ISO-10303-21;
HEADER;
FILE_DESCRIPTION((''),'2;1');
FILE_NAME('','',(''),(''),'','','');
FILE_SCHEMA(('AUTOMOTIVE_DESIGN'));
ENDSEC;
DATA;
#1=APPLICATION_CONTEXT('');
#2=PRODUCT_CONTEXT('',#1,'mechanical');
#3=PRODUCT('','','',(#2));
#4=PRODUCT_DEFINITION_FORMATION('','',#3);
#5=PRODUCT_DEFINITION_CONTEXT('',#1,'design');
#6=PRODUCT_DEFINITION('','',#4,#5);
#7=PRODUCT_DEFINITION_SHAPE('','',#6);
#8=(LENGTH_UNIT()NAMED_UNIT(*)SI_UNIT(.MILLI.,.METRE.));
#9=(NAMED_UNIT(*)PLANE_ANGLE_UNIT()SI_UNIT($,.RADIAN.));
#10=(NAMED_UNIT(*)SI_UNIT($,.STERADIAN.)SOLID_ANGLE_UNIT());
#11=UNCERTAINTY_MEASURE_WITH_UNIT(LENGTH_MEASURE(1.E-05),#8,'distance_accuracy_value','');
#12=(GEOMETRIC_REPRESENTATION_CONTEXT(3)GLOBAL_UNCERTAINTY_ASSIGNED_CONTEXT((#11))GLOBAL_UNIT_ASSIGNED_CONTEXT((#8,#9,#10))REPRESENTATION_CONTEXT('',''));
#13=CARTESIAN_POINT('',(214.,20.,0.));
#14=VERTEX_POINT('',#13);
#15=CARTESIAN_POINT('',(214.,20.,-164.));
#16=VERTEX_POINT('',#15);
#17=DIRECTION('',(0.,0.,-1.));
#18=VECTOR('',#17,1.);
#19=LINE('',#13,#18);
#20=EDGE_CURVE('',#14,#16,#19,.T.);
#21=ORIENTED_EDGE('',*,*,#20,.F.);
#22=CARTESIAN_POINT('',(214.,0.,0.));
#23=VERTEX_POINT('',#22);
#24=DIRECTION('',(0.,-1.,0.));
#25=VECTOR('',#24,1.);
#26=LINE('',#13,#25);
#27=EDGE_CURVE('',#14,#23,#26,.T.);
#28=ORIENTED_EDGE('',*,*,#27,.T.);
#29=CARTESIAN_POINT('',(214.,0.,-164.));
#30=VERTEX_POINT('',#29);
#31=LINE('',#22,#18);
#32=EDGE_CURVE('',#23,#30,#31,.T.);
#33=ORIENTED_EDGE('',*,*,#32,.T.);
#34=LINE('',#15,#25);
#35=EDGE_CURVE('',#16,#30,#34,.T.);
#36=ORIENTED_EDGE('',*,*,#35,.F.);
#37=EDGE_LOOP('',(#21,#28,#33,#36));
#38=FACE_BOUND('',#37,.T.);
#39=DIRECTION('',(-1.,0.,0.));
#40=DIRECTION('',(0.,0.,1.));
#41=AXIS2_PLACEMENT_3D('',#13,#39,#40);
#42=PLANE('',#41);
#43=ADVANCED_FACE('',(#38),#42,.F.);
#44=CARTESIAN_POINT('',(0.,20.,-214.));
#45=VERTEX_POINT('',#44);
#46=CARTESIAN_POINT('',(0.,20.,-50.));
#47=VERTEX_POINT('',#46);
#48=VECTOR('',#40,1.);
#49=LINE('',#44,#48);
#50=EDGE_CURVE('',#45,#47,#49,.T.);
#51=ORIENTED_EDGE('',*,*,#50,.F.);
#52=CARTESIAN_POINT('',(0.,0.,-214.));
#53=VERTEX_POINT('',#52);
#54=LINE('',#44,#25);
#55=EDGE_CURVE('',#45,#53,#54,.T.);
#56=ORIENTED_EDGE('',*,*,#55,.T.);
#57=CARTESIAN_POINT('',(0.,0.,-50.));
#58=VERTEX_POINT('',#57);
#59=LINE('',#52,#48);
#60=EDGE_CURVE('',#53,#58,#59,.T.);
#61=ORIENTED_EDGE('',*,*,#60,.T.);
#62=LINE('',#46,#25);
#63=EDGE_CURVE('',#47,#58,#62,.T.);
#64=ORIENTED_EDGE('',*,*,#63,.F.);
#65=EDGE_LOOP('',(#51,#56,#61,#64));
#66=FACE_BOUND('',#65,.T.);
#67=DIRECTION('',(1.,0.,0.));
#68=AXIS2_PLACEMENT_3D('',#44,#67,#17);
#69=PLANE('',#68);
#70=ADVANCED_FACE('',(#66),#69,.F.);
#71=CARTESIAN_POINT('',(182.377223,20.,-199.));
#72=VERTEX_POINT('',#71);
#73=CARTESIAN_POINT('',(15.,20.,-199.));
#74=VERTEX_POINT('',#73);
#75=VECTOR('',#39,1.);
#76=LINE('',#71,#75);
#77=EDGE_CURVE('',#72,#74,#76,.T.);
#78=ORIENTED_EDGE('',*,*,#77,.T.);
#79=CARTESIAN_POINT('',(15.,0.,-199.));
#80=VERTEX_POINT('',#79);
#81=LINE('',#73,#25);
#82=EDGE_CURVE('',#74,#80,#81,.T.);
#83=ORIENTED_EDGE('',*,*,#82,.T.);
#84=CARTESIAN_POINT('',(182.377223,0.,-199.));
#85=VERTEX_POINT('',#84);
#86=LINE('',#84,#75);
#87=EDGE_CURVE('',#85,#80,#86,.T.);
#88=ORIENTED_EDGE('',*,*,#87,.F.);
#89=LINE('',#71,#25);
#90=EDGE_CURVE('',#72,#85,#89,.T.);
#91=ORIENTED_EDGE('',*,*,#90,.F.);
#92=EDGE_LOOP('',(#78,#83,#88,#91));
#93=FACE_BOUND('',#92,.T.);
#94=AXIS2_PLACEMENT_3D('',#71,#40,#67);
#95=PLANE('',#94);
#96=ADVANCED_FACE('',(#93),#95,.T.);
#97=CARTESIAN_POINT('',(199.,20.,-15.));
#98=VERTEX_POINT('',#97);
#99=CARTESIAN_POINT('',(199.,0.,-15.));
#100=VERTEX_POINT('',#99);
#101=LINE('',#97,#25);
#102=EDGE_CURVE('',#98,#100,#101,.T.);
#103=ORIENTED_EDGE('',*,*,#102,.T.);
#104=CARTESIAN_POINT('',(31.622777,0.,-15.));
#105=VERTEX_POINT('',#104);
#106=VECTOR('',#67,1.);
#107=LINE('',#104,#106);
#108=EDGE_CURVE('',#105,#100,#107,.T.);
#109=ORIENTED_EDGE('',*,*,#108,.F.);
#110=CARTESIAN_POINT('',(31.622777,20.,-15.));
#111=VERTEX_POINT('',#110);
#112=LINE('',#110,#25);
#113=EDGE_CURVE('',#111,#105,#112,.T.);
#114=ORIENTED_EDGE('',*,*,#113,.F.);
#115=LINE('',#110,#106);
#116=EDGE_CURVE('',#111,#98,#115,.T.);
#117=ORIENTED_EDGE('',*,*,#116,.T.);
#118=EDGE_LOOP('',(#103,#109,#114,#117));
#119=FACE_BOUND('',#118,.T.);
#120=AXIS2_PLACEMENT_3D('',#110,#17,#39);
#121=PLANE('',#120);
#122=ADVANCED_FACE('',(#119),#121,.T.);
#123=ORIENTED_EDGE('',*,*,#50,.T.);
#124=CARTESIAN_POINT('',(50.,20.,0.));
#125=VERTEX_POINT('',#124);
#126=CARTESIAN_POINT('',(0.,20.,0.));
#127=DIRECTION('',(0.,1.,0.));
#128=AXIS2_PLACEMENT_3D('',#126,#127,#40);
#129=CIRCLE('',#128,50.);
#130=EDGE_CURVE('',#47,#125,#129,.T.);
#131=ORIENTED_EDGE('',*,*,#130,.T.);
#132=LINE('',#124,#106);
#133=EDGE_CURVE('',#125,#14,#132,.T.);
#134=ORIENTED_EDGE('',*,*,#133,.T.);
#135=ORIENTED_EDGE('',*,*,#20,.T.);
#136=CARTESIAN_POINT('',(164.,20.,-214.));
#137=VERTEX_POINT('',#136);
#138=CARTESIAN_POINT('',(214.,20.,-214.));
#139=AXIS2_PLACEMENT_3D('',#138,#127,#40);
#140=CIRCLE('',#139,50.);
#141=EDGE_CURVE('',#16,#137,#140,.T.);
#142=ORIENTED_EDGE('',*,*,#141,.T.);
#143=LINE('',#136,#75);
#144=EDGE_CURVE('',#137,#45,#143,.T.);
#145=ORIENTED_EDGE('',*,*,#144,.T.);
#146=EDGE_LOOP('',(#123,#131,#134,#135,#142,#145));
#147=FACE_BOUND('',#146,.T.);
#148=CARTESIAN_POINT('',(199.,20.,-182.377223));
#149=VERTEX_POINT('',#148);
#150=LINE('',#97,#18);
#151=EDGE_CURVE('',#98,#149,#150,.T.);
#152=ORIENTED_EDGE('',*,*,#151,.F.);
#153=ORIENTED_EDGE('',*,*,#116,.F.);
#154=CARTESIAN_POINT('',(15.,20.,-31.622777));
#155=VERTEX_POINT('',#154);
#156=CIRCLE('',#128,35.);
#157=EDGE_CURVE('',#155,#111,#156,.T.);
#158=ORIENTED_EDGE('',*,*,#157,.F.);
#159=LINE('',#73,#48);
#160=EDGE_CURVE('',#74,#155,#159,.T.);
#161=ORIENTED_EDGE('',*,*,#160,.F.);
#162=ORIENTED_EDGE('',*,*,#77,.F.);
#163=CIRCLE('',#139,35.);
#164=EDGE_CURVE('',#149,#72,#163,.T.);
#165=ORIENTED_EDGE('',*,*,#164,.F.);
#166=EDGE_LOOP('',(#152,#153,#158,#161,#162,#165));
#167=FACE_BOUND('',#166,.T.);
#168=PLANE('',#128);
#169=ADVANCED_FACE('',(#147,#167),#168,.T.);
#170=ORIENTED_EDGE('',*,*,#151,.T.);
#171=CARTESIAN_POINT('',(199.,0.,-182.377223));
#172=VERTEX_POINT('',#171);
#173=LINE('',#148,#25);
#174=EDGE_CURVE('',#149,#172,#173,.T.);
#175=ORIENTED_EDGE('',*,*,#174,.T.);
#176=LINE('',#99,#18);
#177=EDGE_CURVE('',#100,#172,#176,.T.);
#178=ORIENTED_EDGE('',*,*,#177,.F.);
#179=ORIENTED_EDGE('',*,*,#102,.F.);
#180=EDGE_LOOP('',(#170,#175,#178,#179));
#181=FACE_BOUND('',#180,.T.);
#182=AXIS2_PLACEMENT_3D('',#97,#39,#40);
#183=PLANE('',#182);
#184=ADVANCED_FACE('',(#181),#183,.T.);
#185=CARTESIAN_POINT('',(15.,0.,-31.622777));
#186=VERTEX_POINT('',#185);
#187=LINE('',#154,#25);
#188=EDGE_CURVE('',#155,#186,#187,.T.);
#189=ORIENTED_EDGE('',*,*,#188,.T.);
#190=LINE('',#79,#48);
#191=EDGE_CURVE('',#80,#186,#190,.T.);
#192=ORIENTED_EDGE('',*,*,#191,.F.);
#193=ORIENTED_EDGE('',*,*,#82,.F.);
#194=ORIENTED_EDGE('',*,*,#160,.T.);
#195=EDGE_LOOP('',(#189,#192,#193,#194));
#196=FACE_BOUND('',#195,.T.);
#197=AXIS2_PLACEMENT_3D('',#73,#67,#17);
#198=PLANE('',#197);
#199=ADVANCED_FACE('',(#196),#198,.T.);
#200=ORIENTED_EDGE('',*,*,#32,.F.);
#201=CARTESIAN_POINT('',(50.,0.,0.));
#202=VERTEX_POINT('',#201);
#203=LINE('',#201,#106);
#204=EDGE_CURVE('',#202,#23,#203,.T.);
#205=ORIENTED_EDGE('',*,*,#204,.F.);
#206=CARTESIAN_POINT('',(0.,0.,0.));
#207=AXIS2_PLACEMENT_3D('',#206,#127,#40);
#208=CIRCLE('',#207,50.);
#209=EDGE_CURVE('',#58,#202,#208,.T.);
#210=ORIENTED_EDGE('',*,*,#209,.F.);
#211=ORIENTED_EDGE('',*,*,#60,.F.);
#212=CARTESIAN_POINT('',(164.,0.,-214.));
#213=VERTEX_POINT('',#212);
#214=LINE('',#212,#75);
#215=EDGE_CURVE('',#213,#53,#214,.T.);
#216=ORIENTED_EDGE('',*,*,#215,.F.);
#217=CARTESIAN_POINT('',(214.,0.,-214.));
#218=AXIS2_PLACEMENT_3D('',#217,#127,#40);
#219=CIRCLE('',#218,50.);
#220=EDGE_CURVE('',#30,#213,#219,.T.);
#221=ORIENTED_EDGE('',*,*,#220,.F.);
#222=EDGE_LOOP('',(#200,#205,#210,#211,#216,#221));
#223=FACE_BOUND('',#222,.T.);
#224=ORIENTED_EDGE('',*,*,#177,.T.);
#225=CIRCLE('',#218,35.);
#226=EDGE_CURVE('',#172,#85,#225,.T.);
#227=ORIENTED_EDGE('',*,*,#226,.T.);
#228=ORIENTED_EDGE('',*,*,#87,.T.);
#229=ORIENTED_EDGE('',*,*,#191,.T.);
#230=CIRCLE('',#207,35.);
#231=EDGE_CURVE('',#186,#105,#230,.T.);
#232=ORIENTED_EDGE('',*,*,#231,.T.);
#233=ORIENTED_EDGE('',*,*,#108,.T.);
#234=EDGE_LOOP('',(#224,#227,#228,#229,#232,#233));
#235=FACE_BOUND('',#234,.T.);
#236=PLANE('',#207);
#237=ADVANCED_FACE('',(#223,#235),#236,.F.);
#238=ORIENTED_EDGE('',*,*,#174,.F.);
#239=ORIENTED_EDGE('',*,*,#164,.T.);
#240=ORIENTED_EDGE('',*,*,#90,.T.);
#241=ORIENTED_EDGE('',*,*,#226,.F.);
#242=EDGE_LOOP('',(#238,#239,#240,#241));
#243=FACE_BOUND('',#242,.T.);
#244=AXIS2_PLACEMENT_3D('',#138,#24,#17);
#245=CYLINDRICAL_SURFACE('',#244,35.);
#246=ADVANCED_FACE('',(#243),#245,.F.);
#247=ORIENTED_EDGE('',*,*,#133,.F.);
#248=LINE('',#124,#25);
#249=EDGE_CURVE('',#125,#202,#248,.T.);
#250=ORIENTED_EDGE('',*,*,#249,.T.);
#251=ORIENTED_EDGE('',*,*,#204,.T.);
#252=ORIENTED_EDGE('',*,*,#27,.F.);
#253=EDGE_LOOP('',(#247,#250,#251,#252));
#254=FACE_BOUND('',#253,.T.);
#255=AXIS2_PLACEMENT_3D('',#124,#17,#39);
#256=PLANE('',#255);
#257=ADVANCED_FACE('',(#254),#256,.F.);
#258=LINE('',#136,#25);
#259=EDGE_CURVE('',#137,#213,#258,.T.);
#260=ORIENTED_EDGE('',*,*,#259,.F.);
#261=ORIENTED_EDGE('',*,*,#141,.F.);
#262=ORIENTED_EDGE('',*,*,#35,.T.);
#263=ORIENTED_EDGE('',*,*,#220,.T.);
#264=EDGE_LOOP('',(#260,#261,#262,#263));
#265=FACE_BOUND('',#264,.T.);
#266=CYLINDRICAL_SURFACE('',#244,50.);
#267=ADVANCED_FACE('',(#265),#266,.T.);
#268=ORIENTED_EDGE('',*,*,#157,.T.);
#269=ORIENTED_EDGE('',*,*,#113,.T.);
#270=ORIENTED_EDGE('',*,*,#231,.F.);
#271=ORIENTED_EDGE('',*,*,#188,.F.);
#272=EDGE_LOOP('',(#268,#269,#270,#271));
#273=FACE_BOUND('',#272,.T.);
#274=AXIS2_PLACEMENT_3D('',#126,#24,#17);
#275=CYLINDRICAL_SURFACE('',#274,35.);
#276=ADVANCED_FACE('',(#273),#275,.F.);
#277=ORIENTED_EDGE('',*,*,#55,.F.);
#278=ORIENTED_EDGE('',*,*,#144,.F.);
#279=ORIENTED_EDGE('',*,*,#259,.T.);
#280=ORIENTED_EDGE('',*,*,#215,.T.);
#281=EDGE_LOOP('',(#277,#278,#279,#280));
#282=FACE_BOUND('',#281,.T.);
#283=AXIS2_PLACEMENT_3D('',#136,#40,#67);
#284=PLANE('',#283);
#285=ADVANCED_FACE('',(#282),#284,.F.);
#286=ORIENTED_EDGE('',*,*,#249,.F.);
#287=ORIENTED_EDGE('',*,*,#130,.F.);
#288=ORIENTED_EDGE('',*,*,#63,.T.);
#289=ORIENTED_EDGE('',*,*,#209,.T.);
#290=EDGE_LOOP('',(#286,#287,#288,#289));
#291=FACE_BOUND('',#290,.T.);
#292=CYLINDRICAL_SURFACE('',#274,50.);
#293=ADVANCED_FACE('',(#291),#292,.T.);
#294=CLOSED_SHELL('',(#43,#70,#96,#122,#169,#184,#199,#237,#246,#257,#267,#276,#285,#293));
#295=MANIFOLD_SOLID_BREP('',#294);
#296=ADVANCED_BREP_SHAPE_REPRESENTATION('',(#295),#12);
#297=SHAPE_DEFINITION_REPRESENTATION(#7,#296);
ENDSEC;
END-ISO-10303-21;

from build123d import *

# Parameters (mm, degrees)
BOSS_EXTRUDE1_DEPTH = 20


with BuildPart() as part:
    # Sketch1 → Boss-Extrude1 (new body)
    with BuildSketch(Plane(origin=(0, 0, 0), x_dir=(1, 0, 0), z_dir=(0, 1, 0))):
        with BuildLine():
            Line((0, 214), (0, 50))
            ThreePointArc((0, 50), (-35.355339059, -35.355339059), (50, 0))
            Line((50, 0), (214, 0))
            Line((214, 0), (214, 164))
            ThreePointArc((214, 164), (249.355339059, 249.355339059), (164, 214))
            Line((164, 214), (0, 214))
        make_face()
        with BuildLine():
            Line((15, 199), (15, 31.622776602))
            ThreePointArc((15, 31.622776602), (-24.748737342, -24.748737342), (31.622776602, 15))
            Line((31.622776602, 15), (199, 15))
            Line((199, 15), (199, 182.377223398))
            ThreePointArc((199, 182.377223398), (238.748737342, 238.748737342), (182.377223398, 199))
            Line((182.377223398, 199), (15, 199))
        make_face(mode=Mode.SUBTRACT)
    extrude(amount=BOSS_EXTRUDE1_DEPTH)


solid = part.part
